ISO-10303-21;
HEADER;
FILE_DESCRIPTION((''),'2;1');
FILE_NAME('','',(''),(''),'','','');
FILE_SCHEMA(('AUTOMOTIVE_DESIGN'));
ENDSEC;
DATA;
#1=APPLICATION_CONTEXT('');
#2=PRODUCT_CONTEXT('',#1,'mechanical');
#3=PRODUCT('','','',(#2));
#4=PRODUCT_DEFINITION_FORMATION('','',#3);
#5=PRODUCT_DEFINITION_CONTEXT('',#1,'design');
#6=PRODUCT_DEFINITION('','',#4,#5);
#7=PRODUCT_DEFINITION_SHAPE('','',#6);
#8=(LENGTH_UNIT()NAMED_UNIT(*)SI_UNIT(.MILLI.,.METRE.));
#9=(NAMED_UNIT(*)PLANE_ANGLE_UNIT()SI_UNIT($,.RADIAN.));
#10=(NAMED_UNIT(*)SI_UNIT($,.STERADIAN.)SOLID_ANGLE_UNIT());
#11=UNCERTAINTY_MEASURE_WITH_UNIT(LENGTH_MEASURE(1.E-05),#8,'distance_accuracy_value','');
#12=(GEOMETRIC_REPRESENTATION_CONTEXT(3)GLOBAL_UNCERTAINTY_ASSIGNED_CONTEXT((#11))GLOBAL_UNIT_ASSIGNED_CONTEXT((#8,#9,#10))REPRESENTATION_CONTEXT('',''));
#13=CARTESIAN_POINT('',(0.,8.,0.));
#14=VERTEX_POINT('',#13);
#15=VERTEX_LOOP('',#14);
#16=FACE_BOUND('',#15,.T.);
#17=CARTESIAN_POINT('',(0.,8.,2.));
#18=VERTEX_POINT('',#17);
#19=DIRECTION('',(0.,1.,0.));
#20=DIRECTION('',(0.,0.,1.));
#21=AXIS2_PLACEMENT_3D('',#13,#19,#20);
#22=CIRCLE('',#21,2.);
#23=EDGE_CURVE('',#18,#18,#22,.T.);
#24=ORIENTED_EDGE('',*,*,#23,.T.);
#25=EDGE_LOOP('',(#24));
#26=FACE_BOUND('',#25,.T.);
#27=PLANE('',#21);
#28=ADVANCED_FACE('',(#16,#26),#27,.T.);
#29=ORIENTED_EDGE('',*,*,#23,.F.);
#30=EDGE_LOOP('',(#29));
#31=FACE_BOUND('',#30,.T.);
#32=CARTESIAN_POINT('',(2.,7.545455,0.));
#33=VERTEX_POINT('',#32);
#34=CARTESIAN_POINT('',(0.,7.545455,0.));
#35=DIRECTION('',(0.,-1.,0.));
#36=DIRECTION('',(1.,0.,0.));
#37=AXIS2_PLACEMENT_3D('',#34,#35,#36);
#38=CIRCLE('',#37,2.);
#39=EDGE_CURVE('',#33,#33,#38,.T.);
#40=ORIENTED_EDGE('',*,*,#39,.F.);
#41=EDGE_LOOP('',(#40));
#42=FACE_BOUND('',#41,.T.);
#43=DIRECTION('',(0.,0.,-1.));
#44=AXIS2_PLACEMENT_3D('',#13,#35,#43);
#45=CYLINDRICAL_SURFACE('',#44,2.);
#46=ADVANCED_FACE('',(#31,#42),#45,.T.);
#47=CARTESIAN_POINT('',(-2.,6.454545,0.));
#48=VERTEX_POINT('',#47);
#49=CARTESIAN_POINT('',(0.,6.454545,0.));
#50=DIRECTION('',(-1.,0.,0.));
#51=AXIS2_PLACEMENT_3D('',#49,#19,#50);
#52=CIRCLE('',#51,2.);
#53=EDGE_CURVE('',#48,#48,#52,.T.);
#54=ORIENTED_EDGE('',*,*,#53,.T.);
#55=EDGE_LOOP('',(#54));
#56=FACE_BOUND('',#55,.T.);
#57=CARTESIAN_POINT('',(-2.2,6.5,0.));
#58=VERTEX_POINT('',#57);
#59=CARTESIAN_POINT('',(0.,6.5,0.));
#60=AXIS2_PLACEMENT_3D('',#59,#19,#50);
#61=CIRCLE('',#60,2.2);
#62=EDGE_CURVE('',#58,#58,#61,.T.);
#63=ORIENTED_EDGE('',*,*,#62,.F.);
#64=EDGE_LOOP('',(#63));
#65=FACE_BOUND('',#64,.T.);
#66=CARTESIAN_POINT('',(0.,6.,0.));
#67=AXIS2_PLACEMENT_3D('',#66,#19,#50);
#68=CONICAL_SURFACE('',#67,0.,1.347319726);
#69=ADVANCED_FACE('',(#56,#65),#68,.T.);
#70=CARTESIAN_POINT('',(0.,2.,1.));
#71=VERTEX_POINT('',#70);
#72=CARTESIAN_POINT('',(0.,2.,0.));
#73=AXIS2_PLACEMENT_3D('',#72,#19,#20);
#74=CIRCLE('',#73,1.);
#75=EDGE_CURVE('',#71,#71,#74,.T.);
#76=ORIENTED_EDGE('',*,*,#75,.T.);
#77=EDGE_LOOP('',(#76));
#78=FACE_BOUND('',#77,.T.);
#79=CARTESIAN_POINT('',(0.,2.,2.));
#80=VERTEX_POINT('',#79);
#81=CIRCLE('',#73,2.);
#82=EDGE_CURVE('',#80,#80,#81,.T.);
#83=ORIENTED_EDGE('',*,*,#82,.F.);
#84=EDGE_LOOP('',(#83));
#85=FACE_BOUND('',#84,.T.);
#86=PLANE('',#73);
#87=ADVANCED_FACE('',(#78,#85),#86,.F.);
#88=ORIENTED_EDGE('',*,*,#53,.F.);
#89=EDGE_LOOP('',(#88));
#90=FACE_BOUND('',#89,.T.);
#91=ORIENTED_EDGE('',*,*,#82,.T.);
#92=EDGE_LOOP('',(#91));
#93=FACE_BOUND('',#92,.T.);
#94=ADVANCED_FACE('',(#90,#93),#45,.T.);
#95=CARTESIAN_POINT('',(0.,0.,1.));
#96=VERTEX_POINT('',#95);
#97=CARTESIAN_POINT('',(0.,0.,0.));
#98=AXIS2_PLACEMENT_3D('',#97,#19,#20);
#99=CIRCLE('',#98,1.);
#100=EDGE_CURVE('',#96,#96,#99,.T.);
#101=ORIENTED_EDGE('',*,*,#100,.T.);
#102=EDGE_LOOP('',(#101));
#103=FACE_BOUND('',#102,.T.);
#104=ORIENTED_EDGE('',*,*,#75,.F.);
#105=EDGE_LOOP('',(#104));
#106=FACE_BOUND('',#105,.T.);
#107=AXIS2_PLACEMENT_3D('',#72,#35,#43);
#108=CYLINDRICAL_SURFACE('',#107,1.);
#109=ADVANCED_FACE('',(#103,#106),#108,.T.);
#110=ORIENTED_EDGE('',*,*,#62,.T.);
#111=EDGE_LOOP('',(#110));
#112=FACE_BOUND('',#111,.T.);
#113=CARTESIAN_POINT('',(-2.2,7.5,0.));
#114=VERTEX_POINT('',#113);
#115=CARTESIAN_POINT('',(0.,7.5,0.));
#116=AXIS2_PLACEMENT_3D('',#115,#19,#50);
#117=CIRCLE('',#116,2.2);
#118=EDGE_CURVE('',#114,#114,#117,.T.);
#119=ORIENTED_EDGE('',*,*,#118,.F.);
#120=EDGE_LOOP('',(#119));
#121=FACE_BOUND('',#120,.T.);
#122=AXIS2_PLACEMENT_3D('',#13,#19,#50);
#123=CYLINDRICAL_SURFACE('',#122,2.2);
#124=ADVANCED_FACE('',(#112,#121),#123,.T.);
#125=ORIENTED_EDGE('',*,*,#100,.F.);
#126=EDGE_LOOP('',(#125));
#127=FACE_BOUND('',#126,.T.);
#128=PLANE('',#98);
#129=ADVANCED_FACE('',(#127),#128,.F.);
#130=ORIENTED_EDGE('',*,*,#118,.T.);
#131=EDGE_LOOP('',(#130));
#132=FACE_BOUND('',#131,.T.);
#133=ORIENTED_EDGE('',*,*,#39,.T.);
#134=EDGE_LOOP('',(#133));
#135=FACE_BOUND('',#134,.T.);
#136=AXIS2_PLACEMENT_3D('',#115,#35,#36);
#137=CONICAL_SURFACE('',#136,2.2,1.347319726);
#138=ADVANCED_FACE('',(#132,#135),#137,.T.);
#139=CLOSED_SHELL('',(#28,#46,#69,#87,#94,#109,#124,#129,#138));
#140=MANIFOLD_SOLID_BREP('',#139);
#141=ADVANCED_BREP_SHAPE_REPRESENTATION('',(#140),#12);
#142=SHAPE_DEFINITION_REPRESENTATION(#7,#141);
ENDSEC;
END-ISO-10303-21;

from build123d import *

# Parameters (mm, degrees)
SKETCH_1_R      = 1
EXTRUDE_1_DEPTH = 2
SKETCH_2_R      = 2
EXTRUDE_2_DEPTH = 6


with BuildPart() as part:
    # 草图1 → 凸台-拉伸1 (new body)
    with BuildSketch(Plane(origin=(0, 0, 0), x_dir=(1, 0, 0), z_dir=(0, 1, 0))):
        with Locations(Location((0, 0, 0), (0, 0, 270))):
            Circle(SKETCH_1_R)
    extrude(amount=EXTRUDE_1_DEPTH)

    # 草图2 → 凸台-拉伸2 (add)
    with BuildSketch(Plane(origin=(0, 2, 0), x_dir=(1, 0, 0), z_dir=(0, 1, 0))):
        with Locations(Location((0, 0, 0), (0, 0, 270))):
            Circle(SKETCH_2_R)
    extrude(amount=EXTRUDE_2_DEPTH)

    # 草图3 → 旋转1 (revolve)
    with BuildSketch(Plane.XY, mode=Mode.PRIVATE) as revolve_1_sk:
        Polygon((0, 8), (0, 6), (2.2, 6.5), (2.2, 7.5), align=None)
    revolve(revolve_1_sk.sketch.rotate(Axis((0, 8, 0), (0, -1, 0)), 180), axis=Axis((0, 8, 0), (0, -1, 0)))


solid = part.part
